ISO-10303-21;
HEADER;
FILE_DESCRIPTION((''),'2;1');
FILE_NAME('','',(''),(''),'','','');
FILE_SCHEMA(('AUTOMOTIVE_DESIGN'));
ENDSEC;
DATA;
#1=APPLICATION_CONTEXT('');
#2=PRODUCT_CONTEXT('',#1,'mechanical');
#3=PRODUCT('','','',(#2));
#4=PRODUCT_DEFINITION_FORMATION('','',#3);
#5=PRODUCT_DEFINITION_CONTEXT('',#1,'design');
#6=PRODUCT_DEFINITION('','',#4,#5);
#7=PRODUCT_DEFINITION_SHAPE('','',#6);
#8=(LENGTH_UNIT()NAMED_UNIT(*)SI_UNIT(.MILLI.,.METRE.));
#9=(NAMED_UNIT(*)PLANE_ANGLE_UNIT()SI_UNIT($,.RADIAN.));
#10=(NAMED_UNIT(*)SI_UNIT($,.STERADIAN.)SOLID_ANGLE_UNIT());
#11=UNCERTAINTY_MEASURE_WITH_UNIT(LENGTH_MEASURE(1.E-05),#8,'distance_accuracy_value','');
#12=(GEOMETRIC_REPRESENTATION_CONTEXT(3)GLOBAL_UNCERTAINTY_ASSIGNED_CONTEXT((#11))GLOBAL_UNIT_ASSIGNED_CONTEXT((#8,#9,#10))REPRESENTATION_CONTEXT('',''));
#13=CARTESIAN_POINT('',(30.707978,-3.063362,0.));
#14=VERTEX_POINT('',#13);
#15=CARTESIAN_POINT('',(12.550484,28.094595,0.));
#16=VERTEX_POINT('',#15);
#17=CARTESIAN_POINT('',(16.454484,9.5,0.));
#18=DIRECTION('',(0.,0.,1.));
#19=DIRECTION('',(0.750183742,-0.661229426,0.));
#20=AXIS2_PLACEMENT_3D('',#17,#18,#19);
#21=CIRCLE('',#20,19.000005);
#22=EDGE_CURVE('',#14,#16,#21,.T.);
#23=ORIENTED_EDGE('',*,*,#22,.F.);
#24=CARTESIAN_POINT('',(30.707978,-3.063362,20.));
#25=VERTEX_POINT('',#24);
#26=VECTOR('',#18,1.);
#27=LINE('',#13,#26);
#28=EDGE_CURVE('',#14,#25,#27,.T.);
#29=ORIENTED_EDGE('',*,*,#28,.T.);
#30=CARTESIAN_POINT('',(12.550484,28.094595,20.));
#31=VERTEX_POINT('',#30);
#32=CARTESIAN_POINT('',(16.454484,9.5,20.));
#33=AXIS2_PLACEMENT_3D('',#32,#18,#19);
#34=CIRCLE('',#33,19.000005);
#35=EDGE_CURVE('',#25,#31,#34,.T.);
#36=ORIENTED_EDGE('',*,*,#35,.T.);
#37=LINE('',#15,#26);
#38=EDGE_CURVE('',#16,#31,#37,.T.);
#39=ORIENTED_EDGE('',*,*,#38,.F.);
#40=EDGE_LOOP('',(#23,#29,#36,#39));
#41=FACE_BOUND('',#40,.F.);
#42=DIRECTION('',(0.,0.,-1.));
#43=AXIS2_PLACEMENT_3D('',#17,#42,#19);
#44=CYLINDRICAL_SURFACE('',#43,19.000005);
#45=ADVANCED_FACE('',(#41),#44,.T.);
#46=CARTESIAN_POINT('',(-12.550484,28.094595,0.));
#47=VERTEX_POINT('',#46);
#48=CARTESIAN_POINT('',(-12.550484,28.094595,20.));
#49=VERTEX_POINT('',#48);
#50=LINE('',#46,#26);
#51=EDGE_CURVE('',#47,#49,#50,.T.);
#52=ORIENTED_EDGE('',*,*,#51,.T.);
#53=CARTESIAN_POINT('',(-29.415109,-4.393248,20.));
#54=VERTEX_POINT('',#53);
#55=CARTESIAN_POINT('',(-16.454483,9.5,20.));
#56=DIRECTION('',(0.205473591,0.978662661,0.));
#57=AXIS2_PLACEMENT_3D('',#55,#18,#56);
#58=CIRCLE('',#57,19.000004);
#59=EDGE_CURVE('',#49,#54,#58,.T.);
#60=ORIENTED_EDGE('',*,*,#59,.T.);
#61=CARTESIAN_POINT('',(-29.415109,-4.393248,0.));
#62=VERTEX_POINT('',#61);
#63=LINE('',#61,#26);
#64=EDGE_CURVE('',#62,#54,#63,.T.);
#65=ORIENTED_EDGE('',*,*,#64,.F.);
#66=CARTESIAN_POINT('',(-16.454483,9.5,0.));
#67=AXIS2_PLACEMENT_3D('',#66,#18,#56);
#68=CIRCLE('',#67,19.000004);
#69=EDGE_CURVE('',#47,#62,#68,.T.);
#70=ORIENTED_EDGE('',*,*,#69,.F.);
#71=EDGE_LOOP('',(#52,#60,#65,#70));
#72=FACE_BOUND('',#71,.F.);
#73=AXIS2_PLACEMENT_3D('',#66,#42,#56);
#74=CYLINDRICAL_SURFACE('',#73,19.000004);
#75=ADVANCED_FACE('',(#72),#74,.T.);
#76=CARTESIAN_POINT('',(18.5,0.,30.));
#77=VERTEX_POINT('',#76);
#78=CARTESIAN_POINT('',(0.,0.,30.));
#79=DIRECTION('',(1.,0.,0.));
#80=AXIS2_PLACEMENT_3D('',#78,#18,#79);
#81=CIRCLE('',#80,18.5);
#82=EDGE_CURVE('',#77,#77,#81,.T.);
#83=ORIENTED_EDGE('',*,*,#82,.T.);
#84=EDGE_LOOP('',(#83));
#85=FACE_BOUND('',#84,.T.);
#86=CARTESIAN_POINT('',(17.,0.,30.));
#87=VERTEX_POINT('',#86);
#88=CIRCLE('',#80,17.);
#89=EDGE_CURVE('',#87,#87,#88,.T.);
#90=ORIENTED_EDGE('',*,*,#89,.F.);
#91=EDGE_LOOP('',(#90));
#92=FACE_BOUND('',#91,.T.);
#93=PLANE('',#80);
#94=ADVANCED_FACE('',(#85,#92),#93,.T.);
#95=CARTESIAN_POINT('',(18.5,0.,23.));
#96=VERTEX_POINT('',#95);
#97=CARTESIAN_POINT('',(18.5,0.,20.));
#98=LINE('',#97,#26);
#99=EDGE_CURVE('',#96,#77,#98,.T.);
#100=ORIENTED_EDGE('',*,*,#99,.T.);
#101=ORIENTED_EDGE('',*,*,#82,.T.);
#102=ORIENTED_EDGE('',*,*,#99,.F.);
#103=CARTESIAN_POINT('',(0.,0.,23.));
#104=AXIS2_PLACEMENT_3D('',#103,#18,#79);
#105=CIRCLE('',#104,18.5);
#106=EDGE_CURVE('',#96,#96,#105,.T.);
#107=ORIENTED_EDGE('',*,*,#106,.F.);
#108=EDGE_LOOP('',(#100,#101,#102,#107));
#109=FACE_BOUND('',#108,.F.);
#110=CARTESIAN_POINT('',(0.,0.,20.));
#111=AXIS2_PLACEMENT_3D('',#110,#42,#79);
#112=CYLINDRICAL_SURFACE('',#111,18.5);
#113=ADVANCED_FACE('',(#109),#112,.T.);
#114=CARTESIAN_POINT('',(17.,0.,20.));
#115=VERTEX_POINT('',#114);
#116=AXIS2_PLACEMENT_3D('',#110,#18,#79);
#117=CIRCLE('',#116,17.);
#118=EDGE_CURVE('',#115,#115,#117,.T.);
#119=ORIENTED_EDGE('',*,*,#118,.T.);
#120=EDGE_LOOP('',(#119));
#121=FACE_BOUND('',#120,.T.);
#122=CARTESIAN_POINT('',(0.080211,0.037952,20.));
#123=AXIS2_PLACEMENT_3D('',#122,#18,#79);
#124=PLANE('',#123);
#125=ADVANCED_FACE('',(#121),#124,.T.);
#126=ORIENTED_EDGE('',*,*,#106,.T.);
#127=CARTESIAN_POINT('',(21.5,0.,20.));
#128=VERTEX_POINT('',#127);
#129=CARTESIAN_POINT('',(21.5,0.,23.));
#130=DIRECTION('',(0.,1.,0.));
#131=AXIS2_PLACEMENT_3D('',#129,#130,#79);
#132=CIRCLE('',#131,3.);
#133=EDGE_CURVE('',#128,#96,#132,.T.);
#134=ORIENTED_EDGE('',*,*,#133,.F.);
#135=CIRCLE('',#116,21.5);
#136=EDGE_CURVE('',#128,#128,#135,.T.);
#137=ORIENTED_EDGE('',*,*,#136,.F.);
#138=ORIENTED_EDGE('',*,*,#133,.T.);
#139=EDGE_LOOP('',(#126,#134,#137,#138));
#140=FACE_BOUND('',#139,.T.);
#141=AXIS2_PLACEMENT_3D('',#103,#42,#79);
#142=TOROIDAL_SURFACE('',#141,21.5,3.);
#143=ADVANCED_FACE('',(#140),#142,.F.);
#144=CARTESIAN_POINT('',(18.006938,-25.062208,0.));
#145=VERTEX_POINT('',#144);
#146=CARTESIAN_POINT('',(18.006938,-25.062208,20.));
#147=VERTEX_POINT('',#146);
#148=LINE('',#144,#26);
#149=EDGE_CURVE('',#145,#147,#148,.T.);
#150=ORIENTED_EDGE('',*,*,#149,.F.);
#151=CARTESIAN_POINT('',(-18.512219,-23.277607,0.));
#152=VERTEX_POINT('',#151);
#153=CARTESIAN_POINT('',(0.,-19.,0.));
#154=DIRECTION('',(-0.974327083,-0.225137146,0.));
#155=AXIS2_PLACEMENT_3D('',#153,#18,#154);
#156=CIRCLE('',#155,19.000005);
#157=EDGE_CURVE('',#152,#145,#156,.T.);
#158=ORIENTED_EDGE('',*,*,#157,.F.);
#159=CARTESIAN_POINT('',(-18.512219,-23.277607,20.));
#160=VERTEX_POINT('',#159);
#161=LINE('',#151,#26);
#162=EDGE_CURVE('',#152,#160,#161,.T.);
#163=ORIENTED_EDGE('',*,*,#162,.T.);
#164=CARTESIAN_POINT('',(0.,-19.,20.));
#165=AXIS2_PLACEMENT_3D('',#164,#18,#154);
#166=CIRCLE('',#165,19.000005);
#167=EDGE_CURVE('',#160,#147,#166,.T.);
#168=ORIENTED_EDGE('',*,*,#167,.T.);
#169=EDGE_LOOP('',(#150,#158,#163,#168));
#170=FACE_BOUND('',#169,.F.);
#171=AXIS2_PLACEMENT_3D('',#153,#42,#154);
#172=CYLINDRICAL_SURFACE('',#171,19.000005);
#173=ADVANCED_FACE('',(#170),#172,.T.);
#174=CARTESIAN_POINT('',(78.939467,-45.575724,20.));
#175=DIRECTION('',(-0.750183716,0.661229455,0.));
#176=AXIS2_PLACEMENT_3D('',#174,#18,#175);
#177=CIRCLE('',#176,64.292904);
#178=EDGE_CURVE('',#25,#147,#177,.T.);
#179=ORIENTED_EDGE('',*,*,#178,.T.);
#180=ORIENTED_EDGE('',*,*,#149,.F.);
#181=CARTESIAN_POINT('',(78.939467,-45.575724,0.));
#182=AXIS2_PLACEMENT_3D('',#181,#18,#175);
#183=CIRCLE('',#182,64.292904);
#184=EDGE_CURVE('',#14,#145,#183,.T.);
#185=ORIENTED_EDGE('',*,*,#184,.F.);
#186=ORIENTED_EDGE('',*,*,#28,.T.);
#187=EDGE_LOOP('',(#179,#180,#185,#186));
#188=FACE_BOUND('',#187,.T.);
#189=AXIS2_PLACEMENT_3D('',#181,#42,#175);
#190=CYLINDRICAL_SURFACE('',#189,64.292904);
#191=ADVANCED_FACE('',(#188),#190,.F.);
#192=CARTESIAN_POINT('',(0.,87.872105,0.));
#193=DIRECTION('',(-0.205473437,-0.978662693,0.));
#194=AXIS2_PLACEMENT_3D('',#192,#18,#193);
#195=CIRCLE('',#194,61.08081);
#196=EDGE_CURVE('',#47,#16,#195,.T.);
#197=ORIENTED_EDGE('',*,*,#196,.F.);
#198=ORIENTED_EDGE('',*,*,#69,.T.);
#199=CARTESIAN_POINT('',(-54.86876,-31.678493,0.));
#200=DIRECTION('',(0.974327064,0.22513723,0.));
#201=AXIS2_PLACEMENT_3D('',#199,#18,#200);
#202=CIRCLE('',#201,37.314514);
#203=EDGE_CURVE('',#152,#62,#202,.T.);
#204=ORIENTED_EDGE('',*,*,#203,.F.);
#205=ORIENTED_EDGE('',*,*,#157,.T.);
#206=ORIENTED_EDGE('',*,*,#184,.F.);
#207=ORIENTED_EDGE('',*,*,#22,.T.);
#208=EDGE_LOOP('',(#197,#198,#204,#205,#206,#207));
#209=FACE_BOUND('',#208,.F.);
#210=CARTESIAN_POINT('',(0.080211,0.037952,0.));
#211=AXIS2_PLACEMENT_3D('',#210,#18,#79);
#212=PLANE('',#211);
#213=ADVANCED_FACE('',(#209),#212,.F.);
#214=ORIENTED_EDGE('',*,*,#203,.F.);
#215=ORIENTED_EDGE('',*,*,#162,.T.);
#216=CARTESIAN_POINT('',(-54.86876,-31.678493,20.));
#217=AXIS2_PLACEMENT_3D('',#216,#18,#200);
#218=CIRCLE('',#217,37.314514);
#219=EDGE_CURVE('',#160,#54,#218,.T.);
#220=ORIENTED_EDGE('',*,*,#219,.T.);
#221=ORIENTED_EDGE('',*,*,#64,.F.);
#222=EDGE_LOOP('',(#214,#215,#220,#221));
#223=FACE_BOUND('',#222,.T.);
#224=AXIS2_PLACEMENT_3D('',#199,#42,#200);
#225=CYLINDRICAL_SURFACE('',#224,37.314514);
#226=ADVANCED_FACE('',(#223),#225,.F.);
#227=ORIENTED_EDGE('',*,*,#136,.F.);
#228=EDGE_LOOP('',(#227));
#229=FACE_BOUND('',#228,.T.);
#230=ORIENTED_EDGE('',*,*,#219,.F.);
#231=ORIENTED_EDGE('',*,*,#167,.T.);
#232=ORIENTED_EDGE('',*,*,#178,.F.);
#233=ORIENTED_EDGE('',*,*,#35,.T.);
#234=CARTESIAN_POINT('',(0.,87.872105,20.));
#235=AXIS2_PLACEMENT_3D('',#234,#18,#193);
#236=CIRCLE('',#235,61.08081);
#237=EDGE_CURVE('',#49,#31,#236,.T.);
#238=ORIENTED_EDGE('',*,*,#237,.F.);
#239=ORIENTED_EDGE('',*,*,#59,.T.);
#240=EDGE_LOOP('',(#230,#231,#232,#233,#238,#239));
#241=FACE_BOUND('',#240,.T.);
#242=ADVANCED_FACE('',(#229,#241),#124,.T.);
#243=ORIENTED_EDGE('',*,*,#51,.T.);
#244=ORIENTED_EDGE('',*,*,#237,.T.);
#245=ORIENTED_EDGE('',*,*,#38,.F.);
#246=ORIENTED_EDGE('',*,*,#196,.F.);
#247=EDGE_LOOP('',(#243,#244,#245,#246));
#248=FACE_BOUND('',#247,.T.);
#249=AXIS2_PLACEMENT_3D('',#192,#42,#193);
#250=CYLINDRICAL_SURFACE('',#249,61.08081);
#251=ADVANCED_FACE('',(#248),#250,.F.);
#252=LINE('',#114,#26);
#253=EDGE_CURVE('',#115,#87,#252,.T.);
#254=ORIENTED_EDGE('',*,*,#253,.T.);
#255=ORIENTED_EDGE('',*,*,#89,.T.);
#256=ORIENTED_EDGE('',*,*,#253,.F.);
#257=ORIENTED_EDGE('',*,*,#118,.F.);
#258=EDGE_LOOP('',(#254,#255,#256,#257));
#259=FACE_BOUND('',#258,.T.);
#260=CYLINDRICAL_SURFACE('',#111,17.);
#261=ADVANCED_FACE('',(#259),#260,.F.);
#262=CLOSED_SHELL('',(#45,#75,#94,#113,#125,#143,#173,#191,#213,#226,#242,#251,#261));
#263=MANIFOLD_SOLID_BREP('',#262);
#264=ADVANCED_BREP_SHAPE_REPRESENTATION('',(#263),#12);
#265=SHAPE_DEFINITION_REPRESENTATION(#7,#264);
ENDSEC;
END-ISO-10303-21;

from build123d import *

# Parameters (mm, degrees)
PAD_DEPTH     = 20
SKETCH001_R   = 18.5
SKETCH001_R_2 = 17
PAD001_DEPTH  = 10
FILLET_R      = 3


with BuildPart() as part:
    # Sketch (on XY_Plane of Origin) → Pad (new body)
    with BuildSketch(Plane.XY):
        with BuildLine():
            ThreePointArc((30.707978, -3.063362), (32.870408, 19.066483), (12.550484, 28.094595))
            ThreePointArc((-12.550484, 28.094595), (0, 26.791295), (12.550484, 28.094595))
            ThreePointArc((-12.550484, 28.094595), (-33.317775, 18.253831), (-29.415109, -4.393248))
            ThreePointArc((-18.512219, -23.277607), (-22.553443, -13.021236), (-29.415109, -4.393248))
            ThreePointArc((-18.512219, -23.277607), (-0.927377, -37.977359), (18.006938, -25.062208))
            ThreePointArc((30.707978, -3.063362), (23.26018, -13.429271), (18.006938, -25.062208))
        make_face()
    extrude(amount=PAD_DEPTH)

    # Sketch001 (on Face8 of Pad) → Pad001 (join)
    with BuildSketch(Plane.XY.offset(20)):
        Circle(SKETCH001_R)
        Circle(SKETCH001_R_2, mode=Mode.SUBTRACT)
    extrude(amount=PAD001_DEPTH)

    # Fillet
    fillet_edges = [part.edges().sort_by_distance(p)[0] for p in [
        (-18.5, 0, 20),
    ]]
    fillet(fillet_edges, radius=FILLET_R)


solid = part.part
